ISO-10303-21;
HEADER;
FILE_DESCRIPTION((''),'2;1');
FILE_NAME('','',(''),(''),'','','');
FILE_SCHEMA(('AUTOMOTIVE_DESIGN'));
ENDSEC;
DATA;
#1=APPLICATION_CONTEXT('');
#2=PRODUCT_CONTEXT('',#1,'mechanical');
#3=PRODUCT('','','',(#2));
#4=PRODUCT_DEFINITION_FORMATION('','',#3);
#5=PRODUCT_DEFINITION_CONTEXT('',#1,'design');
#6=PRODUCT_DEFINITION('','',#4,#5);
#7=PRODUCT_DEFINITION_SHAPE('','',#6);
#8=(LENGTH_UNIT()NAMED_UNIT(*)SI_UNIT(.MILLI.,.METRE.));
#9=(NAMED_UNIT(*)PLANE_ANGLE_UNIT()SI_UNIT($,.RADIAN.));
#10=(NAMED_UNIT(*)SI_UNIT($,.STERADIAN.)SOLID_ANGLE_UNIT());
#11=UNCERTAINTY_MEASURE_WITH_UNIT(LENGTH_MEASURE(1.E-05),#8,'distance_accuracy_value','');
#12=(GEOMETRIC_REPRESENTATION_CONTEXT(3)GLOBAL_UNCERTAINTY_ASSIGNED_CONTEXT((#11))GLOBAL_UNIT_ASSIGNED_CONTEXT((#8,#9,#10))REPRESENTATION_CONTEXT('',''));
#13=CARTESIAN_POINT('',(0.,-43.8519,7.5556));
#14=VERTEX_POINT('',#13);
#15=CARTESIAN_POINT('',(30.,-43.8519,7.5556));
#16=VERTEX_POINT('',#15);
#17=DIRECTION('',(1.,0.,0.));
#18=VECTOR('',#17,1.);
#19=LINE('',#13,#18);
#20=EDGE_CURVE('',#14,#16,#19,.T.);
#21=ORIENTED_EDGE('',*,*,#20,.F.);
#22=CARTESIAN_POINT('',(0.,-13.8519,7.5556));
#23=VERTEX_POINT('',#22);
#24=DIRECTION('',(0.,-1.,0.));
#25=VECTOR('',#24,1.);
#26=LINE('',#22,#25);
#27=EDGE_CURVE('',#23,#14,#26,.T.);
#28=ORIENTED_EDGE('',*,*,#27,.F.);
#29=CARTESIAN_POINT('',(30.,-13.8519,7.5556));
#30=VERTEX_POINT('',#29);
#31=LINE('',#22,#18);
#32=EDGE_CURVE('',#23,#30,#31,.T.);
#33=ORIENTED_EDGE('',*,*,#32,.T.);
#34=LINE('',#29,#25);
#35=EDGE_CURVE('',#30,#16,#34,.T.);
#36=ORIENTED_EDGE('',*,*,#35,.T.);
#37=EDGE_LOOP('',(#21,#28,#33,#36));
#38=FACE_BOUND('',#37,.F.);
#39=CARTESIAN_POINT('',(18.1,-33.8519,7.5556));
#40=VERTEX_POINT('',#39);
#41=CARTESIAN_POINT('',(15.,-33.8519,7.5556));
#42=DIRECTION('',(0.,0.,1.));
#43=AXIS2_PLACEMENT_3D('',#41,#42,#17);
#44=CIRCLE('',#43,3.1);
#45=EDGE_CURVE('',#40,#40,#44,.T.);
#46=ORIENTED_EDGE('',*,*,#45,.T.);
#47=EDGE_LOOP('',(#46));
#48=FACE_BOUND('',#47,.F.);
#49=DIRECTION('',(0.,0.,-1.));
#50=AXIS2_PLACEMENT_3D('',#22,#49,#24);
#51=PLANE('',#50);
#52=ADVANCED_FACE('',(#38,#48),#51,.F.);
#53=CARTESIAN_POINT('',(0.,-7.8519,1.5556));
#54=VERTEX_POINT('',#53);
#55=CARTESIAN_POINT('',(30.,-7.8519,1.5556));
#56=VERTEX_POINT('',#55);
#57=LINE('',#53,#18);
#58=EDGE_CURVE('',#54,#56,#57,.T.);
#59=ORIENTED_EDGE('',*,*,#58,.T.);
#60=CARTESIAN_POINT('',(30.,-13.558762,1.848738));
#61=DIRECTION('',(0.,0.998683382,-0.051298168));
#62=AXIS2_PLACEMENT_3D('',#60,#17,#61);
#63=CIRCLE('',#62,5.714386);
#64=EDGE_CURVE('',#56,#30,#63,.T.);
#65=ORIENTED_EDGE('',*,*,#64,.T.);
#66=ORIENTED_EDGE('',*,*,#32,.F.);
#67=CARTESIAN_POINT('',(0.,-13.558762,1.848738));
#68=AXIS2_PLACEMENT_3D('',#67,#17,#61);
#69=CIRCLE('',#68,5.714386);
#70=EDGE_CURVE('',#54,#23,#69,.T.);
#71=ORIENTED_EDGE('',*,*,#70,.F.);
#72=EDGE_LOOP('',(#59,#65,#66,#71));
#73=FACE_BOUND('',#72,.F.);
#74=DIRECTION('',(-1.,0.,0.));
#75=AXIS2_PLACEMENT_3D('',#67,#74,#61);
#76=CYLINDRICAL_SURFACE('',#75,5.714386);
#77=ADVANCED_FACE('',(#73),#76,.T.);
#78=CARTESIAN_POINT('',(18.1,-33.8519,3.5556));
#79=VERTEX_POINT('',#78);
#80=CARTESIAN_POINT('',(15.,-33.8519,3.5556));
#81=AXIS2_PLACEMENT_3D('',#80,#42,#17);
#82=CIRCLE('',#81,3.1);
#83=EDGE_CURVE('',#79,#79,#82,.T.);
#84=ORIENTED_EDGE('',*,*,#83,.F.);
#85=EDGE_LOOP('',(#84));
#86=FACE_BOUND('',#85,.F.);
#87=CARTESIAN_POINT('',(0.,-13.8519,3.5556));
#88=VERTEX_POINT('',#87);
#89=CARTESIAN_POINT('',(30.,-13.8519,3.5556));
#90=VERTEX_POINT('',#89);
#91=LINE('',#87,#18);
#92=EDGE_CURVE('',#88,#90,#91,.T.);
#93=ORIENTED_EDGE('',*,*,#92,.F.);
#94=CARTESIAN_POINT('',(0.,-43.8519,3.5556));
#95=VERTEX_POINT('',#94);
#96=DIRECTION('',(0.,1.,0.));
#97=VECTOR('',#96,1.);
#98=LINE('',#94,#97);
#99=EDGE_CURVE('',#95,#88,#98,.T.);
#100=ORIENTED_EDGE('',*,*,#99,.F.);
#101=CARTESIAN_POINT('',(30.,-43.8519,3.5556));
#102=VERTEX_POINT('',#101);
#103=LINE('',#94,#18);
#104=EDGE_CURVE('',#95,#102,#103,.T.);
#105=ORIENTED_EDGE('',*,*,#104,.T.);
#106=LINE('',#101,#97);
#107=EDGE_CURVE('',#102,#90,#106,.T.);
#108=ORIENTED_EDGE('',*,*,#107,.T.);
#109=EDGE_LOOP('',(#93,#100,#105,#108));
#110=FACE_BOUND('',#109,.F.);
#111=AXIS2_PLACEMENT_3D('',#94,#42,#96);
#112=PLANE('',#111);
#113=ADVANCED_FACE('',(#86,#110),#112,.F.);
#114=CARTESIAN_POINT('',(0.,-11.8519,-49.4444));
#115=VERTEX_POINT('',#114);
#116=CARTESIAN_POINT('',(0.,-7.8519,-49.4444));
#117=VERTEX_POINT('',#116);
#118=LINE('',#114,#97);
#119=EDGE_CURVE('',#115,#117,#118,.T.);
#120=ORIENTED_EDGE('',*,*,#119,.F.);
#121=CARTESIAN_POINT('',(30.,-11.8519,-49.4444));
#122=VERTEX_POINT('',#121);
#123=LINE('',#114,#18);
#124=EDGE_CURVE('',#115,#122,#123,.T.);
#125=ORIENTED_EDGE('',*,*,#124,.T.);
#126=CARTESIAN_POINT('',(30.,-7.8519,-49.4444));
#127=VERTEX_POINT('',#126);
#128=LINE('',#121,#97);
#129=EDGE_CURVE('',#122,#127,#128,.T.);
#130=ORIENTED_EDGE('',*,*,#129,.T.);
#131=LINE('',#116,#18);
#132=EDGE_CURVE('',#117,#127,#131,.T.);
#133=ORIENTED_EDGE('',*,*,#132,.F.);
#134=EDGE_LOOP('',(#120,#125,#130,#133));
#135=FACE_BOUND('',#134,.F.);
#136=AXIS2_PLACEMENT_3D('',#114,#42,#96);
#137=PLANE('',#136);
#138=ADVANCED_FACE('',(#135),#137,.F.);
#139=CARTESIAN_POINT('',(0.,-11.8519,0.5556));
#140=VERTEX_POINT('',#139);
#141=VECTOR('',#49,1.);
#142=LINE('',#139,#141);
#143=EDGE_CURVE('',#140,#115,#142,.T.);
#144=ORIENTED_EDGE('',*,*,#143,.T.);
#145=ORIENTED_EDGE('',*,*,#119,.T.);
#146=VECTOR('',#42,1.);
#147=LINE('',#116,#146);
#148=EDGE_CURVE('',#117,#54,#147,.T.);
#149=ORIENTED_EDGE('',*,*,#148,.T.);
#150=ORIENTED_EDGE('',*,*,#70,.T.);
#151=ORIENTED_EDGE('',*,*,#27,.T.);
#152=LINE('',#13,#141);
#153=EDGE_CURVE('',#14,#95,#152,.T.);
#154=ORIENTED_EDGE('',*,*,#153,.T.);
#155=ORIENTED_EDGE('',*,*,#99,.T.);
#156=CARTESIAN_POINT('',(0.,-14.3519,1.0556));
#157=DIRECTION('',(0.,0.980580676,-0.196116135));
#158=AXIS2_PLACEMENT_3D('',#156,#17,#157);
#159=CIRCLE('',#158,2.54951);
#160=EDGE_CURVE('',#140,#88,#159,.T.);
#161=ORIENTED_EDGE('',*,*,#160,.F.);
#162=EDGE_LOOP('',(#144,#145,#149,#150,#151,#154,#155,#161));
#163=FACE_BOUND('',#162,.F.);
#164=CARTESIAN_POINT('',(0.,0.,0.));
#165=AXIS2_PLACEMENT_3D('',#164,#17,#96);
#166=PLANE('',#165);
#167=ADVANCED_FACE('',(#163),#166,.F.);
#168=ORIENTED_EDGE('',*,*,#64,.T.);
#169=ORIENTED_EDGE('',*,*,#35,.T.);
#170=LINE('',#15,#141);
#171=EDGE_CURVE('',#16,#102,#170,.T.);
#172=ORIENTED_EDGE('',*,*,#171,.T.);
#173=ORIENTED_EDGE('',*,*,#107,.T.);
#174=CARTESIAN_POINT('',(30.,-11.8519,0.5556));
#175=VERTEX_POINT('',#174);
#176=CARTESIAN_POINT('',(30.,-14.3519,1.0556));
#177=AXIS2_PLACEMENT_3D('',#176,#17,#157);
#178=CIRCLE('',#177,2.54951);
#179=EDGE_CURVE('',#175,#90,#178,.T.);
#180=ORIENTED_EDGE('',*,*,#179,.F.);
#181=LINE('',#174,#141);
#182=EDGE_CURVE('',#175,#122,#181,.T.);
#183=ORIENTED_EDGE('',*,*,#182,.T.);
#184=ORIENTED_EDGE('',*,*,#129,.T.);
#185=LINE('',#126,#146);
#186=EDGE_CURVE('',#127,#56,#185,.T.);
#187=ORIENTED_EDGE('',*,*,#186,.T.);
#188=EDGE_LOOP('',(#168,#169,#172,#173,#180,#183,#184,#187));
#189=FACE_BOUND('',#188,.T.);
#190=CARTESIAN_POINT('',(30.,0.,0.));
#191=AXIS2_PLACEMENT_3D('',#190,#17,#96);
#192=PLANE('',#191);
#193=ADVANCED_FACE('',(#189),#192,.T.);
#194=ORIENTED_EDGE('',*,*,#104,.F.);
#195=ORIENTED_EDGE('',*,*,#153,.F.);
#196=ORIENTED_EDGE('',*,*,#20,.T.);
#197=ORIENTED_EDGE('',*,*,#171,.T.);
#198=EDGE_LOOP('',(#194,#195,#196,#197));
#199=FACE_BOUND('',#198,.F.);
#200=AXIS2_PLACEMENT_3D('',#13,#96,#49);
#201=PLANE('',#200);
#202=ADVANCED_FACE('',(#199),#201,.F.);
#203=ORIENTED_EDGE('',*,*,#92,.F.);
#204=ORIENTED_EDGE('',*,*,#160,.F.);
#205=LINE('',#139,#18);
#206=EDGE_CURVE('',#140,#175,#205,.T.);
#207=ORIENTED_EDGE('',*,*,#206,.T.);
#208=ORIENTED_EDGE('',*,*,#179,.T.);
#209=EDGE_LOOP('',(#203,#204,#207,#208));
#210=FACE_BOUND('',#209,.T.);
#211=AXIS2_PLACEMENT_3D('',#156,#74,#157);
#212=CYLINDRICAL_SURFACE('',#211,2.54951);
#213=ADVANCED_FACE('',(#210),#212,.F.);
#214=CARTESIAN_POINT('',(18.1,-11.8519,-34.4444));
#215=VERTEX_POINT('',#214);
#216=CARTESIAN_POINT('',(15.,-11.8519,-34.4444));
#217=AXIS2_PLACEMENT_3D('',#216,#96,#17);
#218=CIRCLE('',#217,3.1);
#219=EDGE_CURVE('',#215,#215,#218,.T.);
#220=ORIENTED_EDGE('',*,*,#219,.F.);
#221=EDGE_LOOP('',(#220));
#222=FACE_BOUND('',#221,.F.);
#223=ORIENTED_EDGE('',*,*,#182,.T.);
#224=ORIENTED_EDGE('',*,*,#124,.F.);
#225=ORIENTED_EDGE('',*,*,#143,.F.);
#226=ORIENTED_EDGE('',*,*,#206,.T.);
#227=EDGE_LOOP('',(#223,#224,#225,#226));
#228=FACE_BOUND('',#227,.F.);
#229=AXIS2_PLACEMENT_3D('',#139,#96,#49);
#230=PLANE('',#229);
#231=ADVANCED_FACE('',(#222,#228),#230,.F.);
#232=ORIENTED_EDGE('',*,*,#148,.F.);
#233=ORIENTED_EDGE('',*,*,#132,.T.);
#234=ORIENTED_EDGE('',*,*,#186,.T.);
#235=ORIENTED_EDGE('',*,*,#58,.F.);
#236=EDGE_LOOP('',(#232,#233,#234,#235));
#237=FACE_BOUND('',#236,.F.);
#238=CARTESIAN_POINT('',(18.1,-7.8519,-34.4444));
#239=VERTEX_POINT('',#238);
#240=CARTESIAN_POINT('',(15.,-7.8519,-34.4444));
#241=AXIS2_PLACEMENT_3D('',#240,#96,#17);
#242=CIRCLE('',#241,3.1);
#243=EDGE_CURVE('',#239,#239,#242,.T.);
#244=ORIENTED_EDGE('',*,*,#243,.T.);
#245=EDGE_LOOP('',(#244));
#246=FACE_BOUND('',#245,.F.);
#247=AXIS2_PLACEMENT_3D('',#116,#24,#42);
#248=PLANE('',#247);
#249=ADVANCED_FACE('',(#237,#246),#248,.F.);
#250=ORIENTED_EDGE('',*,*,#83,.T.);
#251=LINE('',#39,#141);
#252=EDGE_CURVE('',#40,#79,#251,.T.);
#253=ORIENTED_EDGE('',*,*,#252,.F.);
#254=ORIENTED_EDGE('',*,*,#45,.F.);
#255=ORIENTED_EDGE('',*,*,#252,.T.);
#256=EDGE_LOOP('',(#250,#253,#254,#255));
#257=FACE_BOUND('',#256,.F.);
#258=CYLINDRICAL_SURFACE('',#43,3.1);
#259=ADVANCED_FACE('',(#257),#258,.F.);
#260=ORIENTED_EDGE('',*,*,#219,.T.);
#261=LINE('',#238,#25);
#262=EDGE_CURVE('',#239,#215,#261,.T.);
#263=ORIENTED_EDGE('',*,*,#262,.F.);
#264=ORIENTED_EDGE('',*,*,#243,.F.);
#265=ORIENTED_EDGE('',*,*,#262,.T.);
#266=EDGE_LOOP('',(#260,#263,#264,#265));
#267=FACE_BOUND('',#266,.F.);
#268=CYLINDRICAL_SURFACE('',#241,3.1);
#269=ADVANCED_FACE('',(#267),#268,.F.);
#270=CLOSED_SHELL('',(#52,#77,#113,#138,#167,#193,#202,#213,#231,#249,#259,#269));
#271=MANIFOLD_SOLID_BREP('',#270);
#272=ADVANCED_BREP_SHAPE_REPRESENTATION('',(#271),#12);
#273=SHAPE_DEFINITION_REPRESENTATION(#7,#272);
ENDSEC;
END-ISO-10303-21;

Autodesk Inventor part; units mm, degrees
ref_plane "YZ Plane" through (0, 0, 0) normal (1, 0, 0) x (0, 1, 0)
ref_plane "XZ Plane" through (0, 0, 0) normal (0, 1, 0) x (-1, 0, 0)
ref_plane "XY Plane" through (0, 0, 0) normal (0, 0, 1) x (1, 0, 0)
sketch "Sketch1" plane through (0, 0, 0) normal (1, 0, 0) x (0, 1, 0)
  line L0 (-11.8519, 0.5556) -> (-11.8519, -49.4444)
  line L1 (-11.8519, -49.4444) -> (-7.8519, -49.4444)
  line L2 (-7.8519, -49.4444) -> (-7.8519, 1.5556)
  line L3 (-13.8519, 7.5556) -> (-43.8519, 7.5556)
  line L4 (-43.8519, 7.5556) -> (-43.8519, 3.5556)
  line L5 (-43.8519, 3.5556) -> (-13.8519, 3.5556)
  arc A0 (-7.8519, 1.5556) -> (-13.8519, 7.5556) centre (-13.5586, 1.8488) ccw
  arc A1 (-11.8519, 0.5556) -> (-13.8519, 3.5556) centre (-14.3519, 1.0556) ccw
  point P0 (0, 0)
  dimension "d0" = 4
  dimension "d1" = 4
  dimension "d2" = 50
  dimension "d3" = 57
  dimension "d4" = 30
  dimension "d18" = 30
extrude "Extrusion1" add sketch "Sketch1" along normal blind 30
sketch "Sketch2" plane through (0, -7.8519, 1.5556) normal (0, 1, 0) x (1, 0, 0)
  circle A0 centre (15, 36) radius 3.1
  line L0 (30, 51) -> (30, 0) projected
  line L1 (0, -6) -> (30, -6) projected
  point P0 (0, 1.5556)
  dimension "d8" = 6.2
  dimension "d9" = 15
  dimension "d10" = 42
extrude "Extrusion2" cut sketch "Sketch2" against normal blind 30
sketch "Sketch3" plane through (0, -43.8519, 7.5556) normal (0, 0, 1) x (1, 0, 0)
  circle A0 centre (15, 10) radius 3.1
  line L0 (30, 30) -> (30, 0) projected
  line L1 (0, 0) -> (30, 0) projected
  point P0 (0, 43.8519)
  dimension "d13" = 6.2
  dimension "d14" = 15
  dimension "d15" = 10
extrude "Extrusion3" cut sketch "Sketch3" against normal blind 30
properties part number "Slider Holding Bracket"
